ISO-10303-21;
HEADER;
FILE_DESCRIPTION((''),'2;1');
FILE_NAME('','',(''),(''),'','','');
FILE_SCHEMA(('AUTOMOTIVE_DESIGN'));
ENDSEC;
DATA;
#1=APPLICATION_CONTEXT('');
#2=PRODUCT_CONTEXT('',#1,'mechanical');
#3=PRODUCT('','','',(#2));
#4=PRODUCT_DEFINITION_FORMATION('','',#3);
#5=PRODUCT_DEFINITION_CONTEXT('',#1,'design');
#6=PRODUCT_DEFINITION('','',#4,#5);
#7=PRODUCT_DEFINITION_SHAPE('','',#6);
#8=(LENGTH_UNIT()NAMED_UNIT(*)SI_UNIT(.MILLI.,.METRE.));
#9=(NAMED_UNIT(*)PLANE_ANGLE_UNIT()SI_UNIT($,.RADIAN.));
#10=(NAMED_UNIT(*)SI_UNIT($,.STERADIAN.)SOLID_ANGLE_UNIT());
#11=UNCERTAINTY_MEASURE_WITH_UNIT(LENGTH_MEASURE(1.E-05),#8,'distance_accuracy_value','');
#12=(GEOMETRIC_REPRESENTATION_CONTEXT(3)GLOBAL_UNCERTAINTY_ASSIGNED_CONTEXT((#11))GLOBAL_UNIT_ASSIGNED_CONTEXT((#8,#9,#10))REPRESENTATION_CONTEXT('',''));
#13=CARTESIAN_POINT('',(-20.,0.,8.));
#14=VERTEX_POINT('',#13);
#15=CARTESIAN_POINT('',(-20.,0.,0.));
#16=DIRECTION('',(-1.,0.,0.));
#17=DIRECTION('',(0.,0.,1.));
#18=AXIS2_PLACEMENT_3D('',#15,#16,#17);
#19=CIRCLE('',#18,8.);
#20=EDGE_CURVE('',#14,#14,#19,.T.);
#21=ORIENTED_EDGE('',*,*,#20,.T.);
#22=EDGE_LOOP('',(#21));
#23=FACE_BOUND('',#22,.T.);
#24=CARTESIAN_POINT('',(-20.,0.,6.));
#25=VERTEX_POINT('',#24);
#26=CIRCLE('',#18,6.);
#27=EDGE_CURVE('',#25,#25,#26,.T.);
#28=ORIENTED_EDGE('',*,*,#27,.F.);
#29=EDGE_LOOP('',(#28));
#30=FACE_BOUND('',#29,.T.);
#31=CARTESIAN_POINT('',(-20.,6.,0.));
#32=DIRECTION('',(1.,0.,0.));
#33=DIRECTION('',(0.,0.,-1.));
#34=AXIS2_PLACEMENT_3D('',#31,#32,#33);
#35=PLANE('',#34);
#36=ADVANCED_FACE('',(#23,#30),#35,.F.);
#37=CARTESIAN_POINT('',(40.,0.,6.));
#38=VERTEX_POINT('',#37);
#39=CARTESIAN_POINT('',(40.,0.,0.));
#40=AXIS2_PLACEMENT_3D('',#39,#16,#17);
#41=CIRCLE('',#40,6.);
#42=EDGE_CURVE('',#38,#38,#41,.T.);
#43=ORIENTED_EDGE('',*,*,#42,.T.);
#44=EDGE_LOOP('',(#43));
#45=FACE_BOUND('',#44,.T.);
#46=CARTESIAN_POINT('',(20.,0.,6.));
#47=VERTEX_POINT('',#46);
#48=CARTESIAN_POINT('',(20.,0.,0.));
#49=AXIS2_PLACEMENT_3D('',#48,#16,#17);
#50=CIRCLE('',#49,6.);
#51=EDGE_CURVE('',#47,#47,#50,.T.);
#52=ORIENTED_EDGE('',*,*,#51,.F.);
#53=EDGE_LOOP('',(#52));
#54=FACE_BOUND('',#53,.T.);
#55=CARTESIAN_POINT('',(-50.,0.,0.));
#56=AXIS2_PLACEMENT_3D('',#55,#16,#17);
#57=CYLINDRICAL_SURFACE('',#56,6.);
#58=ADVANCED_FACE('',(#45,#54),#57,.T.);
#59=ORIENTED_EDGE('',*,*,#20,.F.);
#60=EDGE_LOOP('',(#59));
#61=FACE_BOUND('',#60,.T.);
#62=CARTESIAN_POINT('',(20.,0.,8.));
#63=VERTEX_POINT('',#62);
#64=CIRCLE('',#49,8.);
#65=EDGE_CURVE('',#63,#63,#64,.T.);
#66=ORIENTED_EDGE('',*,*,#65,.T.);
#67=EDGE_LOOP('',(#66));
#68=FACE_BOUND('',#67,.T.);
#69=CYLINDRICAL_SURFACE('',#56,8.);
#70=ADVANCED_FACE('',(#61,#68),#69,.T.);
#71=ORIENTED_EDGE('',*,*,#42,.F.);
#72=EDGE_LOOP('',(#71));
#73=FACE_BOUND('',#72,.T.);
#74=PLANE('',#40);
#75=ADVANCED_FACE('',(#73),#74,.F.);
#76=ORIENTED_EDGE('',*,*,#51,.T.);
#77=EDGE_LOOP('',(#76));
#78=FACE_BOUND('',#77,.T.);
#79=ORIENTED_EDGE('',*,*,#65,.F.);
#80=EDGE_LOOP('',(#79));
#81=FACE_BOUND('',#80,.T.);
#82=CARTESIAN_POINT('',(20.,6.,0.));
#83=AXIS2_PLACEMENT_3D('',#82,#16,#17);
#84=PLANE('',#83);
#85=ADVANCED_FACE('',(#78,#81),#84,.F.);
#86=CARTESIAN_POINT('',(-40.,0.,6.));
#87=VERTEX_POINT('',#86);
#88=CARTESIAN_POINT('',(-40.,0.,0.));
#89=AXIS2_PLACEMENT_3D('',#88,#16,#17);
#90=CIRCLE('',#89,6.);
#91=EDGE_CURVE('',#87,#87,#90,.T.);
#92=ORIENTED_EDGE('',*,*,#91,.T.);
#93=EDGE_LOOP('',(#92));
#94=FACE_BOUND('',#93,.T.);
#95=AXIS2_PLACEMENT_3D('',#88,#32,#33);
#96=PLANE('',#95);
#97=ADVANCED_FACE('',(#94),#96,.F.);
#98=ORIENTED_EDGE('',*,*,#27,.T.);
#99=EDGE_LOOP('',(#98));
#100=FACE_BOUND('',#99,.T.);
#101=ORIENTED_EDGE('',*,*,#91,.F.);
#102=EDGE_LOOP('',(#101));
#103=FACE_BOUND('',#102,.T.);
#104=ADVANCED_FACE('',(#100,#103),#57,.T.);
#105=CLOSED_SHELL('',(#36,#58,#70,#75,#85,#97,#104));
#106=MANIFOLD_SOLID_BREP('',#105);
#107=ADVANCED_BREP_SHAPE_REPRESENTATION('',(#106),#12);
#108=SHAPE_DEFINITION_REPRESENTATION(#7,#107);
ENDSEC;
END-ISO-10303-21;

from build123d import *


with BuildPart() as part:
    # Sketch1 → Revolve1 (revolve)
    with BuildSketch(Plane.XY):
        Polygon((-40, 0), (40, 0), (40, 6), (20, 6), (20, 8), (-20, 8), (-20, 6), (-40, 6), align=None)
    revolve(axis=Axis((-50, 0, 0), (1, 0, 0)))


solid = part.part
